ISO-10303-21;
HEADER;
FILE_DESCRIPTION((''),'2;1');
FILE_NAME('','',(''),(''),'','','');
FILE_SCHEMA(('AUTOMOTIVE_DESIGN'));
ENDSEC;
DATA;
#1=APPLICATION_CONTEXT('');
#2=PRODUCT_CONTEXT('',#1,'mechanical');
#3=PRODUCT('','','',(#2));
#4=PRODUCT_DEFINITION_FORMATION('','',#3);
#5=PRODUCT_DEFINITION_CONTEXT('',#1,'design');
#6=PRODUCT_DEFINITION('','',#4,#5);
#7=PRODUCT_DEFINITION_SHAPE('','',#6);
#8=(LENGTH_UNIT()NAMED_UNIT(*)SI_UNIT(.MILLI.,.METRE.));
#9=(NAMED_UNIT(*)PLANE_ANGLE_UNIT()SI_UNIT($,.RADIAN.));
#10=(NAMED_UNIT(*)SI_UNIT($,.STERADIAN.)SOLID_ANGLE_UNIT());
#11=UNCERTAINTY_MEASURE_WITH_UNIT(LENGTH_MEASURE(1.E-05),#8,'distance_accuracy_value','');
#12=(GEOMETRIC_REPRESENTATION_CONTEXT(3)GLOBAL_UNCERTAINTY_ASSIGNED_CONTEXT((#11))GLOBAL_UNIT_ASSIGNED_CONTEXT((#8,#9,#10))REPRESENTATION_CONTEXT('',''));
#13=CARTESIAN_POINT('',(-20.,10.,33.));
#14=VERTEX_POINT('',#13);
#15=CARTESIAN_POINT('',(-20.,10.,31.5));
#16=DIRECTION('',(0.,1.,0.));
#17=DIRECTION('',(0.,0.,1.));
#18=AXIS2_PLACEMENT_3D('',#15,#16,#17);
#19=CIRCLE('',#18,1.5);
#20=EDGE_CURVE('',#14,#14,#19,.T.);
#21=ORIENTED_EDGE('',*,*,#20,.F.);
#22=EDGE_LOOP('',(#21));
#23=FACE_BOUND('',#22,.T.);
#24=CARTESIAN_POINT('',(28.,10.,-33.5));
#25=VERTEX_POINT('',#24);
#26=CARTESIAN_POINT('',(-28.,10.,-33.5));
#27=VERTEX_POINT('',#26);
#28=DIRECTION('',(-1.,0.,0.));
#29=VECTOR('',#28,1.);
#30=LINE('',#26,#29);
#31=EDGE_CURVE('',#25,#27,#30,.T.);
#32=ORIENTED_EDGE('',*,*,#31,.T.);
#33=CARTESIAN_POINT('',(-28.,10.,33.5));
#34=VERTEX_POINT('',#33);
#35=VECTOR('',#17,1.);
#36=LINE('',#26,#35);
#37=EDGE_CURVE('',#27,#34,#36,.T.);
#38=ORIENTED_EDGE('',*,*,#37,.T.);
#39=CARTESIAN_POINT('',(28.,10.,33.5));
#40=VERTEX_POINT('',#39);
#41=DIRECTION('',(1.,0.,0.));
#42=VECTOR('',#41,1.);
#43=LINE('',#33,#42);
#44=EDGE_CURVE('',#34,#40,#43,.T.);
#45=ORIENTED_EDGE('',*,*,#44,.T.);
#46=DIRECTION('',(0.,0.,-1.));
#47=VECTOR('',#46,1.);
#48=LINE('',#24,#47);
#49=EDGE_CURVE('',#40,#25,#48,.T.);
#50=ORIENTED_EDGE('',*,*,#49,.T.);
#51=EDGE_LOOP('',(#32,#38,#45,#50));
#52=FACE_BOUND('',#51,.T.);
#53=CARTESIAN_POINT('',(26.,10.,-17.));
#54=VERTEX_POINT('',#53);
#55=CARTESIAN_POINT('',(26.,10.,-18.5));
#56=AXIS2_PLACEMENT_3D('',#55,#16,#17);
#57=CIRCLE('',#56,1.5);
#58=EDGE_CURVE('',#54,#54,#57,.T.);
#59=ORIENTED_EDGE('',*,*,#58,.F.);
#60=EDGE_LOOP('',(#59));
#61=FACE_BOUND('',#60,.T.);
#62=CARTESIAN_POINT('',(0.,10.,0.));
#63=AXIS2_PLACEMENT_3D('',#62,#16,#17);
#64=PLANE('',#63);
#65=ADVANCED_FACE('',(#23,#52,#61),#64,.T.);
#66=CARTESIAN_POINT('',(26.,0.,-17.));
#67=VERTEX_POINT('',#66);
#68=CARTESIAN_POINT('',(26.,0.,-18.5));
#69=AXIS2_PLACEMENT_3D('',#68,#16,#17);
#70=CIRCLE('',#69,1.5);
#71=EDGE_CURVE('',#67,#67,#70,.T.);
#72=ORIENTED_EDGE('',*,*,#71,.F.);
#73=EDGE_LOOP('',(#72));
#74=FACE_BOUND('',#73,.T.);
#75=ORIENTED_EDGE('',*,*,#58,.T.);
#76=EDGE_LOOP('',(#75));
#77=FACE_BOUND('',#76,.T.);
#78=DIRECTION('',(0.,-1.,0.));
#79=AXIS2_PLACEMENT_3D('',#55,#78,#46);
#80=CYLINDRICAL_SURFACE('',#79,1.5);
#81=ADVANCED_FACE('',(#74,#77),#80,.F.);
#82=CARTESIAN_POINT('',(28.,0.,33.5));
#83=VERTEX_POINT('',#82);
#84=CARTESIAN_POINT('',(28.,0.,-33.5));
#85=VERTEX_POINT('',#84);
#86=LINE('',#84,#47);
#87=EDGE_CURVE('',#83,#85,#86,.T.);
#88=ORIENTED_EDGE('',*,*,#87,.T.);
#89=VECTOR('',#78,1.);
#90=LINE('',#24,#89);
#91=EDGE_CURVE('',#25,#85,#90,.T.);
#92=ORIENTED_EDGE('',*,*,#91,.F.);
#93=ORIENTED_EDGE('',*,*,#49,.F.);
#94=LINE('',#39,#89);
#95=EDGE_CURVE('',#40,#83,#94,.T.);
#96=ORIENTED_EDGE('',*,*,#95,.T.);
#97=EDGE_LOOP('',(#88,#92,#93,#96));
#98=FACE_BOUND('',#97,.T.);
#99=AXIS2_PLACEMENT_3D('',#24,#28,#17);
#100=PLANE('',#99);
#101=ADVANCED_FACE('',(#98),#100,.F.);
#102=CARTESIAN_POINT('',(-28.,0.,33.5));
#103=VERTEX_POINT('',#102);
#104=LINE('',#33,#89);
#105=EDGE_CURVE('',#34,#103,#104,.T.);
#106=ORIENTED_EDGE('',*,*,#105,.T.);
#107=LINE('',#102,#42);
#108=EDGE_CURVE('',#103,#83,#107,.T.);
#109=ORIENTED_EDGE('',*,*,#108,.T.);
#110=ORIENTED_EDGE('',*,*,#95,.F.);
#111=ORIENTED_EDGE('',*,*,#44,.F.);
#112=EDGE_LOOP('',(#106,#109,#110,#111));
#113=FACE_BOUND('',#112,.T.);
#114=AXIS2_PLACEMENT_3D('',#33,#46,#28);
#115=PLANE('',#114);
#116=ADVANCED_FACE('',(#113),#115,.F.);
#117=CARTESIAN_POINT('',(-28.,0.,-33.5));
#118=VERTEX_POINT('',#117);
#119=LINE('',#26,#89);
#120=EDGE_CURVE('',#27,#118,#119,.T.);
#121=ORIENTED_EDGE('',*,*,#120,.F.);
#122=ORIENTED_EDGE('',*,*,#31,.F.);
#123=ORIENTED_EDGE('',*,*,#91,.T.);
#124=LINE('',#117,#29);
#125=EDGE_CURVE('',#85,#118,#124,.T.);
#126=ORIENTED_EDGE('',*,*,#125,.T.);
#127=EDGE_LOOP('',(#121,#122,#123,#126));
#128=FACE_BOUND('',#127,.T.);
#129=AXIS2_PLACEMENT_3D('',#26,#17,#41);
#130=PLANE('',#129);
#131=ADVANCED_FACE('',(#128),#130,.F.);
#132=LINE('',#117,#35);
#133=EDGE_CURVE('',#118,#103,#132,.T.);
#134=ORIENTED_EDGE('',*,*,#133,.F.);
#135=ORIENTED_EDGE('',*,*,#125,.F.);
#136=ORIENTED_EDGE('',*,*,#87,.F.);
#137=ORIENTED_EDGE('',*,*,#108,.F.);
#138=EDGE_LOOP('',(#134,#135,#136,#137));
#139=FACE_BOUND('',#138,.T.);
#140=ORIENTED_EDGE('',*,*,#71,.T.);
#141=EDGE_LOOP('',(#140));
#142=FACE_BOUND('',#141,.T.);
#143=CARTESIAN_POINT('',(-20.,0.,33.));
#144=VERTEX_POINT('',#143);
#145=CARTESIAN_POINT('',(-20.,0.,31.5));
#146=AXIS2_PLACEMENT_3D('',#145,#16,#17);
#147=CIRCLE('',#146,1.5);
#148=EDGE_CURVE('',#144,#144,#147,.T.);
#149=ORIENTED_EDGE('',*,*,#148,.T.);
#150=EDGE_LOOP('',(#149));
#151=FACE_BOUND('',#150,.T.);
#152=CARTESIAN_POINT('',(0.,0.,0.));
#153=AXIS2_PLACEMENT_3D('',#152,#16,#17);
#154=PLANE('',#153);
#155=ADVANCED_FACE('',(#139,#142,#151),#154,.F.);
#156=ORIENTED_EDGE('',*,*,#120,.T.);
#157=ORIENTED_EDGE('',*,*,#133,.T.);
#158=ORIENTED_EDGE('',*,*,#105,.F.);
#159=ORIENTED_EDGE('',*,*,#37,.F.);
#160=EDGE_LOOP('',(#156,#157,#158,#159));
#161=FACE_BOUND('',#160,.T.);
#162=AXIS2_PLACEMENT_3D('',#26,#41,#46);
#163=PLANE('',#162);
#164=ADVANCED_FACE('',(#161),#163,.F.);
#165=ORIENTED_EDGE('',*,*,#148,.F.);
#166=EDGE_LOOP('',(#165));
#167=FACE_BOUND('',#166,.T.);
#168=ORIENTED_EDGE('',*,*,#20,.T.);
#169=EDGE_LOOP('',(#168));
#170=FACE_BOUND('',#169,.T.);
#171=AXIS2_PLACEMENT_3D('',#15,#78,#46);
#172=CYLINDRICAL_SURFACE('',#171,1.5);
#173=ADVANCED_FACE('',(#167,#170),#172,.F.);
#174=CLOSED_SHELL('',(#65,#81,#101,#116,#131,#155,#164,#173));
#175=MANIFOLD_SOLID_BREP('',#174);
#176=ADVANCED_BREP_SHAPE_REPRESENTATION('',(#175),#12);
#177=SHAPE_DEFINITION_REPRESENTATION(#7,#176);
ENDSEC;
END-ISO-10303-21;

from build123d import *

# Parameters (mm, degrees)
SKETCH_1_W      = 56
SKETCH_1_H      = 67
SKETCH_1_R      = 1.5
EXTRUDE_1_DEPTH = 10


with BuildPart() as part:
    # Эскиз1 → Бобышка-Вытянуть1 (new body)
    with BuildSketch(Plane(origin=(0, 0, 0), x_dir=(1, 0, 0), z_dir=(0, 1, 0))):
        Rectangle(SKETCH_1_W, SKETCH_1_H)
        with Locations((26, 18.5)):
            Circle(SKETCH_1_R, mode=Mode.SUBTRACT)
        with Locations((-20, -31.5)):
            Circle(SKETCH_1_R, mode=Mode.SUBTRACT)
    extrude(amount=EXTRUDE_1_DEPTH)


solid = part.part
